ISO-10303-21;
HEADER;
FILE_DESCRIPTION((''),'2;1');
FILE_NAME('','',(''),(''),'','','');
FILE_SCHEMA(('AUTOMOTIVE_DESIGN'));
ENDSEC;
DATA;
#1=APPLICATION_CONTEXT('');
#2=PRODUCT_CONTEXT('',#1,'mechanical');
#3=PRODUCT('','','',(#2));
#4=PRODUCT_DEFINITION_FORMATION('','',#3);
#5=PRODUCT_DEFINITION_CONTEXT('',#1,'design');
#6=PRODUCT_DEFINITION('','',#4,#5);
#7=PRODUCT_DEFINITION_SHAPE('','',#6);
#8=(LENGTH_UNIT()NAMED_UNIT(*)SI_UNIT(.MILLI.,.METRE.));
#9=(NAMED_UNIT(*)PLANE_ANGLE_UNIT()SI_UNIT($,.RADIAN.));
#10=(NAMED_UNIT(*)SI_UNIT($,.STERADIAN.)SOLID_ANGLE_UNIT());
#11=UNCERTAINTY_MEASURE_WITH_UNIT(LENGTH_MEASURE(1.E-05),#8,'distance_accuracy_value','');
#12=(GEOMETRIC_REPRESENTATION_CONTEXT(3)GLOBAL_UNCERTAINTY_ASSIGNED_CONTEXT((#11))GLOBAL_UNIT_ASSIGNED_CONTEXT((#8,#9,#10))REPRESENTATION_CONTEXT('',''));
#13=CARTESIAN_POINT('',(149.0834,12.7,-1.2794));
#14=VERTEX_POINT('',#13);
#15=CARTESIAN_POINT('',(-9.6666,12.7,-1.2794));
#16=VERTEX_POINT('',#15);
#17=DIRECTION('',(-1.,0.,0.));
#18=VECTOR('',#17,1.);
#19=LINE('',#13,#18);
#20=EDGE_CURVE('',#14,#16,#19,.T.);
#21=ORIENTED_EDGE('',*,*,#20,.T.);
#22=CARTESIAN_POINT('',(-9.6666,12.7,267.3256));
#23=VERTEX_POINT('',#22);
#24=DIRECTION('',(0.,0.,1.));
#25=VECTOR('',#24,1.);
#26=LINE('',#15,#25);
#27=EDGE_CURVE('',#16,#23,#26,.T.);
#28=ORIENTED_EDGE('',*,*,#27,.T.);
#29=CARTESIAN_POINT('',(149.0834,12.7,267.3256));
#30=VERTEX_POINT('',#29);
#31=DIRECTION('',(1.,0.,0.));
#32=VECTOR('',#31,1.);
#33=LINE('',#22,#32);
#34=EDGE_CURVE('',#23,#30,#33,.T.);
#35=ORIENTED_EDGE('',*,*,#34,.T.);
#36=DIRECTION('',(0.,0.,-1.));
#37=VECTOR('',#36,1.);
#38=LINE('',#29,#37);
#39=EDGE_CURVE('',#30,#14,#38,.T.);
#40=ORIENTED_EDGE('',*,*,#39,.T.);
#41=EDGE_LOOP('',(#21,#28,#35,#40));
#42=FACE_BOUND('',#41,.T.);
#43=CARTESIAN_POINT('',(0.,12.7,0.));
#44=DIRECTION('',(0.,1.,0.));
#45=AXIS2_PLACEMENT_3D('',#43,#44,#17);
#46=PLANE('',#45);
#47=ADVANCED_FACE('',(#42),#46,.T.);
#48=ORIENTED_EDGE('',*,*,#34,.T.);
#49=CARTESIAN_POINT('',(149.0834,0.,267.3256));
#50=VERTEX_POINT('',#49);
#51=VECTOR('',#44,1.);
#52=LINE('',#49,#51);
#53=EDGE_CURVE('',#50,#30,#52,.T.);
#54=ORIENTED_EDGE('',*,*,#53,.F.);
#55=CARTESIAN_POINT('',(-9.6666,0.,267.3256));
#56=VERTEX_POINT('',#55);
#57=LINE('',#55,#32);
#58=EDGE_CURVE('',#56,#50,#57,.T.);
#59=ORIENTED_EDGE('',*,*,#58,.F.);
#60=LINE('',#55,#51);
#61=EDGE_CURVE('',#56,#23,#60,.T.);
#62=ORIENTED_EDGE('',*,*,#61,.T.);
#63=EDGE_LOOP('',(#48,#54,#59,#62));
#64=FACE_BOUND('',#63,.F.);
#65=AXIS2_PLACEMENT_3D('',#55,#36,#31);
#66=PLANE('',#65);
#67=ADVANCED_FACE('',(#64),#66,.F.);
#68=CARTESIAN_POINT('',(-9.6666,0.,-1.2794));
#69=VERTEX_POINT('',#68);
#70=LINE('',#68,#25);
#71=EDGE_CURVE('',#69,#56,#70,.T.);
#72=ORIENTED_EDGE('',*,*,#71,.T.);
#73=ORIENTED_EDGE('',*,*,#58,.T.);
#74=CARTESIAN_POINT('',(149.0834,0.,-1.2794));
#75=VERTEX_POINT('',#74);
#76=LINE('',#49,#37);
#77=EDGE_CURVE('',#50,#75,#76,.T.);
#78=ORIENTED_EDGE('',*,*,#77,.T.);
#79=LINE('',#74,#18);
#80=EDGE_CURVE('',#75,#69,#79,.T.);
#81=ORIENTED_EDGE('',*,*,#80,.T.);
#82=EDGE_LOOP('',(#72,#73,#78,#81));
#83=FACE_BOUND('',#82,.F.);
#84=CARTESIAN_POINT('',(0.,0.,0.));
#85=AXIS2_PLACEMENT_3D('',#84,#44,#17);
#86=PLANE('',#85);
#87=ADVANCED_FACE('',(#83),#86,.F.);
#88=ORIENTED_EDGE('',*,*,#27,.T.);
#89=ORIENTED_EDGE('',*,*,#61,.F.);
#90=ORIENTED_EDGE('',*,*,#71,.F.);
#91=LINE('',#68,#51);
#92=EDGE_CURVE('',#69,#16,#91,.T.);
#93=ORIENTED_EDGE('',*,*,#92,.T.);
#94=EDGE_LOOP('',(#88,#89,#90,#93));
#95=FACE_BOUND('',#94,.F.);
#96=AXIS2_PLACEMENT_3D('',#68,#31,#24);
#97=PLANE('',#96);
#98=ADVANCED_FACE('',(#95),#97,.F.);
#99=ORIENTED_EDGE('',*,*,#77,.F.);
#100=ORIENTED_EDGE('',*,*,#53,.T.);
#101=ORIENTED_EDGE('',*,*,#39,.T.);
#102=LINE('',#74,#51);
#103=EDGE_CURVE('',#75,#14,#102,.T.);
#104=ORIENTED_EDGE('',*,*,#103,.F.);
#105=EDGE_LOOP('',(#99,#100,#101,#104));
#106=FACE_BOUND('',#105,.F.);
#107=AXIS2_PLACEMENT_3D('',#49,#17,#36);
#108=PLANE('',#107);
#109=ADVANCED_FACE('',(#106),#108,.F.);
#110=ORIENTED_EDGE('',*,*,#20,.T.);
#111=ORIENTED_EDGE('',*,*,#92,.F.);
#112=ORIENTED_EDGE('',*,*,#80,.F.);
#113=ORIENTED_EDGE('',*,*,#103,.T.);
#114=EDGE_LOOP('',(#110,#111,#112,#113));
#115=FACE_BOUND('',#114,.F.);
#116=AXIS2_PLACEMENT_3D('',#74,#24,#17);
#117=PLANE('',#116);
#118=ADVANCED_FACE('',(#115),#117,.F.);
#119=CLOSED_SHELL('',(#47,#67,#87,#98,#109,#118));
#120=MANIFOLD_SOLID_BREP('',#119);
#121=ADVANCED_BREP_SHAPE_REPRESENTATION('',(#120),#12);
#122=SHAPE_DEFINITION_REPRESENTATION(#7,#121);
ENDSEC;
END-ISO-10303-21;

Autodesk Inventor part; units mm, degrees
ref_plane "YZ Plane" through (0, 0, 0) normal (1, 0, 0) x (0, 1, 0)
ref_plane "XZ Plane" through (0, 0, 0) normal (0, 1, 0) x (-1, 0, 0)
ref_plane "XY Plane" through (0, 0, 0) normal (0, 0, 1) x (1, 0, 0)
sketch "Sketch1" plane through (0, 0, 0) normal (0, 1, 0) x (-1, 0, 0)
  line L0 (9.6666, 267.3256) -> (-149.0834, 267.3256)
  line L1 (-149.0834, 267.3256) -> (-149.0834, -1.2794)
  line L2 (-149.0834, -1.2794) -> (9.6666, -1.2794)
  line L3 (9.6666, -1.2794) -> (9.6666, 267.3256)
  point P0 (0, 0)
  dimension "d0" = 158.75
  dimension "d1" = 268.605
extrude "Extrusion1" add sketch "Sketch1" along normal blind 12.7
sketch "Sketch2" plane through (0, 0, 0) normal (0, -1, 0) x (1, 0, 0)
  point P0 (0, 0)
properties part number "Side_PolyCforSwerve"
